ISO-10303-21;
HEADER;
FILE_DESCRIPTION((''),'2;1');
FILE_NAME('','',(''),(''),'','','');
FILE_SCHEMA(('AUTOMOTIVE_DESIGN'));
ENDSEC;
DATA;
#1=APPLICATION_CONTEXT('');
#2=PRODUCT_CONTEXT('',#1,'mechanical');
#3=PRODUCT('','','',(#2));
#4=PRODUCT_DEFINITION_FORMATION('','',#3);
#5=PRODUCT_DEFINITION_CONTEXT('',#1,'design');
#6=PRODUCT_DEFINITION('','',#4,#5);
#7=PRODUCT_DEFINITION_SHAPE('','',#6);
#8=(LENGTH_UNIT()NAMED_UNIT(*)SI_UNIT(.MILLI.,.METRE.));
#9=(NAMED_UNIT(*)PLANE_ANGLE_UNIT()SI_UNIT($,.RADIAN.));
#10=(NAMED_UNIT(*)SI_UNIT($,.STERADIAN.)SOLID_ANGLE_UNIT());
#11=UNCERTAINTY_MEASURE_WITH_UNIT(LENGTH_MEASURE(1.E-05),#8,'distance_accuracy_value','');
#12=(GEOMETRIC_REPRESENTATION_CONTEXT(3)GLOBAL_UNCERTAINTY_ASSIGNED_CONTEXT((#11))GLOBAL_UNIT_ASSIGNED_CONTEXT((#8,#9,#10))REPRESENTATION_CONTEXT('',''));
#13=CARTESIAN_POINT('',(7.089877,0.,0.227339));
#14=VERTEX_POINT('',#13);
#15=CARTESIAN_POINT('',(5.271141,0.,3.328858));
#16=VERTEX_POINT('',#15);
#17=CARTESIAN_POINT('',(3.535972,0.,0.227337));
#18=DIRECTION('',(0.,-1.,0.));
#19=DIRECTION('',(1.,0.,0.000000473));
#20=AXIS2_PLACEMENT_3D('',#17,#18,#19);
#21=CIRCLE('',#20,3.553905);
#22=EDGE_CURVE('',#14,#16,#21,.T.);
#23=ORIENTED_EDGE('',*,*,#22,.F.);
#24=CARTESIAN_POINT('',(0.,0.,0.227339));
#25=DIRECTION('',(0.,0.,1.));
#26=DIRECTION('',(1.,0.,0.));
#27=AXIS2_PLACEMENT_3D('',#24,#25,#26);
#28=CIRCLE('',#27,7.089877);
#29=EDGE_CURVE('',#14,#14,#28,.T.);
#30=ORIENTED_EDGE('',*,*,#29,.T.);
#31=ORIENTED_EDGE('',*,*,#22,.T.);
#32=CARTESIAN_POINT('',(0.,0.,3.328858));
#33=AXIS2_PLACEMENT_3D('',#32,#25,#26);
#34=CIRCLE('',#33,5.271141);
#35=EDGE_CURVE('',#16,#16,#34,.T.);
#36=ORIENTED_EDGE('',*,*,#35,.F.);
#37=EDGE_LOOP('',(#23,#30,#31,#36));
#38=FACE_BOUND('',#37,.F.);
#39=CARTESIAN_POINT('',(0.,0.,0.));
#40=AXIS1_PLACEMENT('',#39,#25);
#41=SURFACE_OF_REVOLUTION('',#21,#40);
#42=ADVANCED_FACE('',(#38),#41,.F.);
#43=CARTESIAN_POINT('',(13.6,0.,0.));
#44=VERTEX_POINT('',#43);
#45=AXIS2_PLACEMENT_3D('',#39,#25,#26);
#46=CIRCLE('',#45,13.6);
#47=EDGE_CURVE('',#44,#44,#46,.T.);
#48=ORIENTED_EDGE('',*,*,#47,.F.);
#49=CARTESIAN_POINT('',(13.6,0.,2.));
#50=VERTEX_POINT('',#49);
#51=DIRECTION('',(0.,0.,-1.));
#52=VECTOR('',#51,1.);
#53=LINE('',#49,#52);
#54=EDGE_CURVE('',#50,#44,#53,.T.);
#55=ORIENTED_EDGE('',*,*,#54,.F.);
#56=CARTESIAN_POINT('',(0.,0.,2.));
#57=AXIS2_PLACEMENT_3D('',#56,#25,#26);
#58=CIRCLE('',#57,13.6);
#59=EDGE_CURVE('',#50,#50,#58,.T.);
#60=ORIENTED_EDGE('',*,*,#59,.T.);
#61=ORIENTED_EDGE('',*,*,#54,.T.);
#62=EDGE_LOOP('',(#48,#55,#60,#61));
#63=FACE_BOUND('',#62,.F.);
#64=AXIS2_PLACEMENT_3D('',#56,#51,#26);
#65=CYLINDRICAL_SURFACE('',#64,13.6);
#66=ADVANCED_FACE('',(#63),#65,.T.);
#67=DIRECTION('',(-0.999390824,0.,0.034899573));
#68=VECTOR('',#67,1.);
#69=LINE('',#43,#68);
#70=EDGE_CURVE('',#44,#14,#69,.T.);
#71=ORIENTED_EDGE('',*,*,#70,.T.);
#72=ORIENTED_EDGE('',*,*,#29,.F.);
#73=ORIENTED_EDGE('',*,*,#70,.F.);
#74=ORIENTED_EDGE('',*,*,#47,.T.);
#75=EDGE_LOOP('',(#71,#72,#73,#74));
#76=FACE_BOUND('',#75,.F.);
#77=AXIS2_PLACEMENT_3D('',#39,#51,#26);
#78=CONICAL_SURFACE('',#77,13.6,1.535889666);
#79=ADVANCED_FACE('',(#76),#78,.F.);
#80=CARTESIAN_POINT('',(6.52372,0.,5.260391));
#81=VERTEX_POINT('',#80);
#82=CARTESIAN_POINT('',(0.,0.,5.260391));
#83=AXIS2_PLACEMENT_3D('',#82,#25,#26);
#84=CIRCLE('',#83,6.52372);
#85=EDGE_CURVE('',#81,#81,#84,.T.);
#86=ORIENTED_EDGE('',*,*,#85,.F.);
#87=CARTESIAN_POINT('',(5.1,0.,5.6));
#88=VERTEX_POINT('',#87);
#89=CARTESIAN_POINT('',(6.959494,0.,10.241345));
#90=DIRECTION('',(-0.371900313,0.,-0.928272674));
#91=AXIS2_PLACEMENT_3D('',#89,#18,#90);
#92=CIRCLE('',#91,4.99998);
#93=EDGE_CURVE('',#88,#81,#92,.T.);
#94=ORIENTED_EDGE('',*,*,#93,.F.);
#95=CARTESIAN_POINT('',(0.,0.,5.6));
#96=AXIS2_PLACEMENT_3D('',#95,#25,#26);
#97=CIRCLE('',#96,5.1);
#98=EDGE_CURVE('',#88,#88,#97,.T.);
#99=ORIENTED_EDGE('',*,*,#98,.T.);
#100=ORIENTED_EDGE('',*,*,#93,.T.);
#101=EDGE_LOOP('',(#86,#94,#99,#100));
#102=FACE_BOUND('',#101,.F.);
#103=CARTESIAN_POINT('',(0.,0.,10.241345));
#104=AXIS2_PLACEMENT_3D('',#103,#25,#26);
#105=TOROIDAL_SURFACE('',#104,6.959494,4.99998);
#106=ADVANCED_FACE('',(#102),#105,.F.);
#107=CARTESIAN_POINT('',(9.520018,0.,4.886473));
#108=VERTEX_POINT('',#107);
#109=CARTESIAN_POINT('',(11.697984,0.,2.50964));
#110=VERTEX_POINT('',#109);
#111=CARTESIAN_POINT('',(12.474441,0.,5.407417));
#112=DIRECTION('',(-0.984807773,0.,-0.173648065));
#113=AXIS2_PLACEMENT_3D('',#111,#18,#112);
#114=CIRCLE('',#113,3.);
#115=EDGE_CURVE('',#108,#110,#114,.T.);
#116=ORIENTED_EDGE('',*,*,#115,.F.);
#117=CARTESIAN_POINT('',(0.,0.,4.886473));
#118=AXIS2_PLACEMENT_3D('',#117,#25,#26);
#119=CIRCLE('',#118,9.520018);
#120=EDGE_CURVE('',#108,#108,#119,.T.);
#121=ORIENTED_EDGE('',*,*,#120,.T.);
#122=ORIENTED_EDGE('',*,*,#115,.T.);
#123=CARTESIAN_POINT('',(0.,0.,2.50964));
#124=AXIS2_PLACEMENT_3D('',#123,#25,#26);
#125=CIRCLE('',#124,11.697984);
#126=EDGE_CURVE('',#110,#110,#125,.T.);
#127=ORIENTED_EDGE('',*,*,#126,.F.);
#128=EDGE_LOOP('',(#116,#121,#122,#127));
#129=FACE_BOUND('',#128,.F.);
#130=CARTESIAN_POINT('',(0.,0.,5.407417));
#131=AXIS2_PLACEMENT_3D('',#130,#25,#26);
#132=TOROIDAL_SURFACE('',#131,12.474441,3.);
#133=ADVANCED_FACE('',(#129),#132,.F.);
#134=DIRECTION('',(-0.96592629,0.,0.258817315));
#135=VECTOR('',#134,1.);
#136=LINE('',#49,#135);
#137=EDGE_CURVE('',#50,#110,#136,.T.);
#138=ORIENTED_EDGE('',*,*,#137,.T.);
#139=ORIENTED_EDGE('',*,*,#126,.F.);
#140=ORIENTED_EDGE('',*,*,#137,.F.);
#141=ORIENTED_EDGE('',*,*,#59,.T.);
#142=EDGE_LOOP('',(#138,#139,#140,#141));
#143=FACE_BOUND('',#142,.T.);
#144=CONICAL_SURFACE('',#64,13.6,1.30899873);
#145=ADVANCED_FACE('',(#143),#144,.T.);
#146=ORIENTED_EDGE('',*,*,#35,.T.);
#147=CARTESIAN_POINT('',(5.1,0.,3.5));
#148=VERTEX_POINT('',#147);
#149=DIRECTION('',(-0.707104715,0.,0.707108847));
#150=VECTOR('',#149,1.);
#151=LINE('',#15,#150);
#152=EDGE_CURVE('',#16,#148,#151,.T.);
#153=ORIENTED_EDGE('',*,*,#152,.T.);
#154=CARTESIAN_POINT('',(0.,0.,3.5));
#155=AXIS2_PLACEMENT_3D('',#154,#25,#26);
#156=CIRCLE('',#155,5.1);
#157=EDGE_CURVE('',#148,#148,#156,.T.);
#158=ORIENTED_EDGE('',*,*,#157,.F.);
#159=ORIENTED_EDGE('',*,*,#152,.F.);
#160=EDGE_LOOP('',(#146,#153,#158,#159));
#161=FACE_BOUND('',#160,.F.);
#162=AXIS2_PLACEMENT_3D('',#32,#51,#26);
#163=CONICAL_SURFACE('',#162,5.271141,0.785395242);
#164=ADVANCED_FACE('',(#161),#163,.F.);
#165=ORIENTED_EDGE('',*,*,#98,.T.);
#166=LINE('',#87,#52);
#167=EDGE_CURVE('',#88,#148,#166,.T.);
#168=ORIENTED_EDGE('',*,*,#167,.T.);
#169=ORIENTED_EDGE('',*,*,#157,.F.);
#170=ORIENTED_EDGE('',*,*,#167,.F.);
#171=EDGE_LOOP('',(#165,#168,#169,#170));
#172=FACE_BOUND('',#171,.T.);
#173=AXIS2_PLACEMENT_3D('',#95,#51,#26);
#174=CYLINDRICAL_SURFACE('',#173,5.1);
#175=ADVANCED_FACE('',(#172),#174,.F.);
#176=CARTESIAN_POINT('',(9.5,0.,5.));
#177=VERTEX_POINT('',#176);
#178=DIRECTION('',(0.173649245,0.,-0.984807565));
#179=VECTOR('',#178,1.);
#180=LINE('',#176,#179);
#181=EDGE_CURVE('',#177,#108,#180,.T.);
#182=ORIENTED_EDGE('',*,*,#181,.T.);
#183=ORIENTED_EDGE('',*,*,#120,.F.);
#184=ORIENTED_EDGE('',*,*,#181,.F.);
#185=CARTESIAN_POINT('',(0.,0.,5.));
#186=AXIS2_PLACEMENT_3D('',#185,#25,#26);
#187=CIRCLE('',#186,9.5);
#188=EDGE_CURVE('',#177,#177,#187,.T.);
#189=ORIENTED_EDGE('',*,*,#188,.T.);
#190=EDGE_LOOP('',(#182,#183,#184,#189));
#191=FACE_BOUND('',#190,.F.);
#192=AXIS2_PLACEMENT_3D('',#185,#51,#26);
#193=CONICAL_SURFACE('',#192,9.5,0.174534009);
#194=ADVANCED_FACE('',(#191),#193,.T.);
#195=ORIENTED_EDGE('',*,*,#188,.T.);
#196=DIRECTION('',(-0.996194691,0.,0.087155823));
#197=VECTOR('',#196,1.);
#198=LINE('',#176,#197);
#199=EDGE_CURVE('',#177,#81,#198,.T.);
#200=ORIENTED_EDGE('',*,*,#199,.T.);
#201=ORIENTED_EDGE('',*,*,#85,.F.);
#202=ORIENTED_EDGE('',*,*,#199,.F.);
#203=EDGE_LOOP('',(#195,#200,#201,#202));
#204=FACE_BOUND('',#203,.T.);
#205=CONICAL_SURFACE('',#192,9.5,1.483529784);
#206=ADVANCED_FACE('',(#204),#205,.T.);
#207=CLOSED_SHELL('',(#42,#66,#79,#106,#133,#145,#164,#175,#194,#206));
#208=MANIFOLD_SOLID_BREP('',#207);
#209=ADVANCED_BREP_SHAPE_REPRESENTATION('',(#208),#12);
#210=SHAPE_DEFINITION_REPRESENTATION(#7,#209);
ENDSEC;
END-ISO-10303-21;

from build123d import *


with BuildPart() as part:
    # Sketch → Revolve (revolve)
    with BuildSketch(Plane.XZ):
        with BuildLine():
            Line((5.1, 5.6), (5.1, 3.5))
            Line((5.271141, 3.328858), (5.1, 3.5))
            ThreePointArc((7.089877, 0.227339), (6.601658, 2.025061), (5.271141, 3.328858))
            Line((13.6, 0), (7.089877, 0.227339))
            Line((13.6, 2), (13.6, 0))
            Line((13.6, 2), (11.697984, 2.50964))
            ThreePointArc((9.520018, 4.886473), (10.262609, 3.380647), (11.697984, 2.50964))
            Line((9.5, 5), (9.520018, 4.886473))
            Line((9.5, 5), (6.52372, 5.260391))
            ThreePointArc((5.1, 5.6), (5.799366, 5.377817), (6.52372, 5.260391))
        make_face()
    revolve(axis=Axis((0, 0, 0), (0, 0, 1)))


solid = part.part
